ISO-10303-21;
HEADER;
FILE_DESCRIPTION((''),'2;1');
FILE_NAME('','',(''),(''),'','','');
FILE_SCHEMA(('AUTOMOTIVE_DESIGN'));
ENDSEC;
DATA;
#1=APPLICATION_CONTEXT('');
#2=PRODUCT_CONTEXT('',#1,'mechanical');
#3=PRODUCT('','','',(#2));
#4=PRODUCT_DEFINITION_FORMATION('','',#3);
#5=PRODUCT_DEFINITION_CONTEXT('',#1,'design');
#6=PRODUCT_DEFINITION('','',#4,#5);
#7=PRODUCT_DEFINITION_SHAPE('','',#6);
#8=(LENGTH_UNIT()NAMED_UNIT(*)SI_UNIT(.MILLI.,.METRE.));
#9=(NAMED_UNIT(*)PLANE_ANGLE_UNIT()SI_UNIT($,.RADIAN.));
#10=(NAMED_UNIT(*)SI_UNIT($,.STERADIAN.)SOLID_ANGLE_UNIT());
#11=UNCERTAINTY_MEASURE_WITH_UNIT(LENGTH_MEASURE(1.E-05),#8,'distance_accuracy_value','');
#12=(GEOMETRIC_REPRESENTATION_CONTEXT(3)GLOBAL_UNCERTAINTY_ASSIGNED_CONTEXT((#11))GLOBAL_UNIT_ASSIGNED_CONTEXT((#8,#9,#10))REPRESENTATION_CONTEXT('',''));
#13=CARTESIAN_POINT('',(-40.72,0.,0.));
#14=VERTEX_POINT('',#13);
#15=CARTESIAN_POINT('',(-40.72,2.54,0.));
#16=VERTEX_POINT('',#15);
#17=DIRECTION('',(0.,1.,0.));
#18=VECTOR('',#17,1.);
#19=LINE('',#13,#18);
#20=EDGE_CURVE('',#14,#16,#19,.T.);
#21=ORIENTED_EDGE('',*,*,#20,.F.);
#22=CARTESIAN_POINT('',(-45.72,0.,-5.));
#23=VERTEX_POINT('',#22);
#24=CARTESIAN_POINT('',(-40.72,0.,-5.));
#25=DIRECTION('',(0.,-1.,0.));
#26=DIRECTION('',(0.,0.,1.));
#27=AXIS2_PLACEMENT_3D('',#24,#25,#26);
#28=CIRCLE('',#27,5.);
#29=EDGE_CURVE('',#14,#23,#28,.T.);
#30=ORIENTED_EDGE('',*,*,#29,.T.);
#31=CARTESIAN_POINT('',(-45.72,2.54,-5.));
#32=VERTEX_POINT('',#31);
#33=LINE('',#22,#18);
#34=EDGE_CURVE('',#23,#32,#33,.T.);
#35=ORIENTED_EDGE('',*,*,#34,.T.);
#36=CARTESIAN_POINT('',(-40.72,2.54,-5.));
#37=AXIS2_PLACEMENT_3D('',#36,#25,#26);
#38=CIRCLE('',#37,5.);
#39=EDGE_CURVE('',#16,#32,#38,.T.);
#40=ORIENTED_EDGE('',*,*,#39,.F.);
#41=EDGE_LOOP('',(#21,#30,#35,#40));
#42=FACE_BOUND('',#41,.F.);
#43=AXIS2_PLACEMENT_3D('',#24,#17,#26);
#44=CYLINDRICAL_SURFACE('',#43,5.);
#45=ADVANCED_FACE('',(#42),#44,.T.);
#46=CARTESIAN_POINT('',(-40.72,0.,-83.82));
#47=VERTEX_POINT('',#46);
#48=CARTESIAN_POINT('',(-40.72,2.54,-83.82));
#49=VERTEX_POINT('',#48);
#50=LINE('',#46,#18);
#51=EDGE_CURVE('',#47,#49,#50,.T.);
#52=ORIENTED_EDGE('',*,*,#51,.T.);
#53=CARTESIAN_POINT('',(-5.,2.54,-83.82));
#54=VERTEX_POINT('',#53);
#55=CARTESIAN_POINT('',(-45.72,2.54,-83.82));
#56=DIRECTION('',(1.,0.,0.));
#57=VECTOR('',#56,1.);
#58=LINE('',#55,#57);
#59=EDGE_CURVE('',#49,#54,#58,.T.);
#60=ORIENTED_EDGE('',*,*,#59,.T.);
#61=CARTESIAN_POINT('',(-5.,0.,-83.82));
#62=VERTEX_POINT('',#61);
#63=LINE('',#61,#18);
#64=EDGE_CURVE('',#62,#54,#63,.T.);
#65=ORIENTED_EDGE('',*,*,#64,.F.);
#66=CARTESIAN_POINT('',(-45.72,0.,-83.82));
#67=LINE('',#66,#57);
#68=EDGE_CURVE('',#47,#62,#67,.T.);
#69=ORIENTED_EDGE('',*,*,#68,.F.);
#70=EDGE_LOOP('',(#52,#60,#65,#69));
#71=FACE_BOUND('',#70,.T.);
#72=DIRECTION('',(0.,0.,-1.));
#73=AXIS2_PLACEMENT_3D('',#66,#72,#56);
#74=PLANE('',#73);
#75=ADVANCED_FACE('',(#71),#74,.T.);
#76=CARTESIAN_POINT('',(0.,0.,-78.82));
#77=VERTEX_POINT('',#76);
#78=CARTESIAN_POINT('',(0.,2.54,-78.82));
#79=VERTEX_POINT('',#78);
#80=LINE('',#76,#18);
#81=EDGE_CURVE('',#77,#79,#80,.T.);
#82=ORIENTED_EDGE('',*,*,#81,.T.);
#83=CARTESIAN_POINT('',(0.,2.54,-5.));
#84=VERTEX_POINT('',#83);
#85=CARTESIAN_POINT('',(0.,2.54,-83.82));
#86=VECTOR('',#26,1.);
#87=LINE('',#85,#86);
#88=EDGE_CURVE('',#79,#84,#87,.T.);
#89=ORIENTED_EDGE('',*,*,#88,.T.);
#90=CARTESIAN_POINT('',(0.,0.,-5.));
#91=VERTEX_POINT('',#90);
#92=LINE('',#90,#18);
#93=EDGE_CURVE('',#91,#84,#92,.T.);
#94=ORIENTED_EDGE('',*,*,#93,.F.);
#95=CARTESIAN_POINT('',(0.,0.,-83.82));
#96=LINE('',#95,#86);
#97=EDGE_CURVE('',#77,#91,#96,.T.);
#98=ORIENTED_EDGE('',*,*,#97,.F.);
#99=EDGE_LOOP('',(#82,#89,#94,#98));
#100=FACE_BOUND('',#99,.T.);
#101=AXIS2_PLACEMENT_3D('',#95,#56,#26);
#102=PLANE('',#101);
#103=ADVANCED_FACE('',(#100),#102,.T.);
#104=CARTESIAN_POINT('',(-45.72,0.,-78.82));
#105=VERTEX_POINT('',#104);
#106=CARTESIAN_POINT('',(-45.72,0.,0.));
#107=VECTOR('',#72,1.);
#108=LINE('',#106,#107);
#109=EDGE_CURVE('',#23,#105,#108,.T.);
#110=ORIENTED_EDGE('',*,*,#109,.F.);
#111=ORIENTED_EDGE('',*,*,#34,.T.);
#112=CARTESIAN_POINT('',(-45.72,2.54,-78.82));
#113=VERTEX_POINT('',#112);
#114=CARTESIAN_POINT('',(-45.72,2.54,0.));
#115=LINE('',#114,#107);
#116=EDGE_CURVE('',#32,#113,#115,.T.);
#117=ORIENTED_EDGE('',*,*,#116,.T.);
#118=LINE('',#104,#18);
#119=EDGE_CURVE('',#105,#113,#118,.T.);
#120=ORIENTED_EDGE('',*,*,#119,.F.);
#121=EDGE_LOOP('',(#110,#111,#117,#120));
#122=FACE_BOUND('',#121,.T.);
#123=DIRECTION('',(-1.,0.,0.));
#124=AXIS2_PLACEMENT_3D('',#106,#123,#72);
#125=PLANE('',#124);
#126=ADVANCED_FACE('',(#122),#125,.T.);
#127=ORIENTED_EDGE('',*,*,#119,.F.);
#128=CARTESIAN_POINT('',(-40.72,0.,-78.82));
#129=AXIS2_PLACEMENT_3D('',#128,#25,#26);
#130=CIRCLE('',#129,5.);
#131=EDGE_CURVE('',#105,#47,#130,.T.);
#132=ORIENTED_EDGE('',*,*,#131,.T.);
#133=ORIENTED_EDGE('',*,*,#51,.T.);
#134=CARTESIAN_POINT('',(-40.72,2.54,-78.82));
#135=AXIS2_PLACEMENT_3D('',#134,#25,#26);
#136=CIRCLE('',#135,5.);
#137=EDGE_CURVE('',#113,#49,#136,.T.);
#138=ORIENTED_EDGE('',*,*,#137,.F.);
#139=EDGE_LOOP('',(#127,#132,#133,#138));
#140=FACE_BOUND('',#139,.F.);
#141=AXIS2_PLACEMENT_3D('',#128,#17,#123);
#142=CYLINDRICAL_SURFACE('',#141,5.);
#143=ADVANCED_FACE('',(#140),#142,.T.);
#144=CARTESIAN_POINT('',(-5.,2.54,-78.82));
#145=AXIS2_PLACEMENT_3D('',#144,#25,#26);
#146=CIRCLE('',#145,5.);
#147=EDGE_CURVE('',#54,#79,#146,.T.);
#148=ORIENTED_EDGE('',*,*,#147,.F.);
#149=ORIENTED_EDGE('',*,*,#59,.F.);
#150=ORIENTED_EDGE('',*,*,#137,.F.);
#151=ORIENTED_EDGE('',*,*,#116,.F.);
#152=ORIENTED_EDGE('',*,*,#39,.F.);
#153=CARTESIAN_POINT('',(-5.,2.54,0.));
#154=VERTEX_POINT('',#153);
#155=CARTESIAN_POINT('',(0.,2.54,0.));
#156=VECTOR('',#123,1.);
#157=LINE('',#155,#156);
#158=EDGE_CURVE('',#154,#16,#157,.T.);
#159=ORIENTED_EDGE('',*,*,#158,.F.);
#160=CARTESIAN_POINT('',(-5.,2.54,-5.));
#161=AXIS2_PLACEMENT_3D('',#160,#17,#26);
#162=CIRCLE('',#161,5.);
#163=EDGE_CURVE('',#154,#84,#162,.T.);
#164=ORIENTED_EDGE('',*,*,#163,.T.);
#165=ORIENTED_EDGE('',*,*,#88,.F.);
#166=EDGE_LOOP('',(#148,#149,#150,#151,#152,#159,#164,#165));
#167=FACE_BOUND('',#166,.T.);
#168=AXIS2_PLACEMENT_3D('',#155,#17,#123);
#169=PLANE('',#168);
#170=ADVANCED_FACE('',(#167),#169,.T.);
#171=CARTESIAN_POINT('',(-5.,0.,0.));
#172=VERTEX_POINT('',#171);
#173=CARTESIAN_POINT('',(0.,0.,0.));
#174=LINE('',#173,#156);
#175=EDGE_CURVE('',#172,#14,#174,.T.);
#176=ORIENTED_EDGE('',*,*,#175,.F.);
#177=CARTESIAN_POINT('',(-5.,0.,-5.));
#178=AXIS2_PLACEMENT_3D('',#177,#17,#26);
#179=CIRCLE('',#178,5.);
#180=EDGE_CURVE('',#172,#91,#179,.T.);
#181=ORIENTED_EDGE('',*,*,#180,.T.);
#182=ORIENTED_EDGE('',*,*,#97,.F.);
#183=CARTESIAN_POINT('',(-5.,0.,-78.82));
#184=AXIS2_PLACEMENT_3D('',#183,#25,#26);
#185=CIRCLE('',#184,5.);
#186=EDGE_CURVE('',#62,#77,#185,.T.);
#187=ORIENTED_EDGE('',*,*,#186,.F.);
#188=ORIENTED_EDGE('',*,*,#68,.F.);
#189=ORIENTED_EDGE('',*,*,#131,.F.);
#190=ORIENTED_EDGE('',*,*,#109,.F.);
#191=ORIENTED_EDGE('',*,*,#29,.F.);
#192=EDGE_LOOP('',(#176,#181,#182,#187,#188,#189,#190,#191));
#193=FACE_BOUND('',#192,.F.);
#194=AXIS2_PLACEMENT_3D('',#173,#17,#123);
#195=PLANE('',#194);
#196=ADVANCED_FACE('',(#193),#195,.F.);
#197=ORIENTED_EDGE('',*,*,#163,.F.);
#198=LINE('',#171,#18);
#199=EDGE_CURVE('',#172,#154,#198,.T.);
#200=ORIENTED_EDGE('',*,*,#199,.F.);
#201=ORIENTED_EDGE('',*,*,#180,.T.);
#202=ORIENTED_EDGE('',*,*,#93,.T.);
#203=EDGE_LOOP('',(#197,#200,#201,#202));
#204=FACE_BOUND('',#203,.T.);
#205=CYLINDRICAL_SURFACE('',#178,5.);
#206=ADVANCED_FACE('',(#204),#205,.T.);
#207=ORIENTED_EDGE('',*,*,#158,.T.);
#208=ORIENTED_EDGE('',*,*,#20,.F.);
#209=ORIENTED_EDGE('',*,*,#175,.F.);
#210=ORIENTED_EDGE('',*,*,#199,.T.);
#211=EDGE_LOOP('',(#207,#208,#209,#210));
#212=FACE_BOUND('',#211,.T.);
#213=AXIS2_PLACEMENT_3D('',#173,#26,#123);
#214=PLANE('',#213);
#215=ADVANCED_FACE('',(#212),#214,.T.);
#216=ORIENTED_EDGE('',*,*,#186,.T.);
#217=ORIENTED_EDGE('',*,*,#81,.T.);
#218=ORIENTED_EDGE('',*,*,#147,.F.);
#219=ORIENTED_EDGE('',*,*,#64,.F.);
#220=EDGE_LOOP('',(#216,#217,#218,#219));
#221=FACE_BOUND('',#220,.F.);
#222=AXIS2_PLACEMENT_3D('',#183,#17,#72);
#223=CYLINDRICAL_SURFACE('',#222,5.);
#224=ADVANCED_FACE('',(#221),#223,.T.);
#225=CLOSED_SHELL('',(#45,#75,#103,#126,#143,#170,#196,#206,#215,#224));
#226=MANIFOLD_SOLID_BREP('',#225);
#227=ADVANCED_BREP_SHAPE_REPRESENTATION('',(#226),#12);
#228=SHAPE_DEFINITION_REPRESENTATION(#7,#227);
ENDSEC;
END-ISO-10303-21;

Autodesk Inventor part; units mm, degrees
ref_plane "YZ Plane" through (0, 0, 0) normal (1, 0, 0) x (0, 1, 0)
ref_plane "XZ Plane" through (0, 0, 0) normal (0, 1, 0) x (-1, 0, 0)
ref_plane "XY Plane" through (0, 0, 0) normal (0, 0, 1) x (1, 0, 0)
sketch "Sketch1" plane through (0, 0, 0) normal (0, 1, 0) x (-1, 0, 0)
  line L0 (0, 0) -> (45.72, 0)
  line L1 (45.72, 0) -> (45.72, -83.82)
  line L2 (45.72, -83.82) -> (0, -83.82)
  line L3 (0, -83.82) -> (0, 0)
  dimension "d0" = 45.72
  dimension "d1" = 83.82
extrude "Extrusion1" add sketch "Sketch1" along normal blind 2.54
fillet "Fillet1" radius 5 4 edges at (-45.72, 1.27, 0) (0, 1.27, 0) (0, 1.27, -83.82) (-45.72, 1.27, -83.82)
properties part number "Activity 1 Custom Outline"
